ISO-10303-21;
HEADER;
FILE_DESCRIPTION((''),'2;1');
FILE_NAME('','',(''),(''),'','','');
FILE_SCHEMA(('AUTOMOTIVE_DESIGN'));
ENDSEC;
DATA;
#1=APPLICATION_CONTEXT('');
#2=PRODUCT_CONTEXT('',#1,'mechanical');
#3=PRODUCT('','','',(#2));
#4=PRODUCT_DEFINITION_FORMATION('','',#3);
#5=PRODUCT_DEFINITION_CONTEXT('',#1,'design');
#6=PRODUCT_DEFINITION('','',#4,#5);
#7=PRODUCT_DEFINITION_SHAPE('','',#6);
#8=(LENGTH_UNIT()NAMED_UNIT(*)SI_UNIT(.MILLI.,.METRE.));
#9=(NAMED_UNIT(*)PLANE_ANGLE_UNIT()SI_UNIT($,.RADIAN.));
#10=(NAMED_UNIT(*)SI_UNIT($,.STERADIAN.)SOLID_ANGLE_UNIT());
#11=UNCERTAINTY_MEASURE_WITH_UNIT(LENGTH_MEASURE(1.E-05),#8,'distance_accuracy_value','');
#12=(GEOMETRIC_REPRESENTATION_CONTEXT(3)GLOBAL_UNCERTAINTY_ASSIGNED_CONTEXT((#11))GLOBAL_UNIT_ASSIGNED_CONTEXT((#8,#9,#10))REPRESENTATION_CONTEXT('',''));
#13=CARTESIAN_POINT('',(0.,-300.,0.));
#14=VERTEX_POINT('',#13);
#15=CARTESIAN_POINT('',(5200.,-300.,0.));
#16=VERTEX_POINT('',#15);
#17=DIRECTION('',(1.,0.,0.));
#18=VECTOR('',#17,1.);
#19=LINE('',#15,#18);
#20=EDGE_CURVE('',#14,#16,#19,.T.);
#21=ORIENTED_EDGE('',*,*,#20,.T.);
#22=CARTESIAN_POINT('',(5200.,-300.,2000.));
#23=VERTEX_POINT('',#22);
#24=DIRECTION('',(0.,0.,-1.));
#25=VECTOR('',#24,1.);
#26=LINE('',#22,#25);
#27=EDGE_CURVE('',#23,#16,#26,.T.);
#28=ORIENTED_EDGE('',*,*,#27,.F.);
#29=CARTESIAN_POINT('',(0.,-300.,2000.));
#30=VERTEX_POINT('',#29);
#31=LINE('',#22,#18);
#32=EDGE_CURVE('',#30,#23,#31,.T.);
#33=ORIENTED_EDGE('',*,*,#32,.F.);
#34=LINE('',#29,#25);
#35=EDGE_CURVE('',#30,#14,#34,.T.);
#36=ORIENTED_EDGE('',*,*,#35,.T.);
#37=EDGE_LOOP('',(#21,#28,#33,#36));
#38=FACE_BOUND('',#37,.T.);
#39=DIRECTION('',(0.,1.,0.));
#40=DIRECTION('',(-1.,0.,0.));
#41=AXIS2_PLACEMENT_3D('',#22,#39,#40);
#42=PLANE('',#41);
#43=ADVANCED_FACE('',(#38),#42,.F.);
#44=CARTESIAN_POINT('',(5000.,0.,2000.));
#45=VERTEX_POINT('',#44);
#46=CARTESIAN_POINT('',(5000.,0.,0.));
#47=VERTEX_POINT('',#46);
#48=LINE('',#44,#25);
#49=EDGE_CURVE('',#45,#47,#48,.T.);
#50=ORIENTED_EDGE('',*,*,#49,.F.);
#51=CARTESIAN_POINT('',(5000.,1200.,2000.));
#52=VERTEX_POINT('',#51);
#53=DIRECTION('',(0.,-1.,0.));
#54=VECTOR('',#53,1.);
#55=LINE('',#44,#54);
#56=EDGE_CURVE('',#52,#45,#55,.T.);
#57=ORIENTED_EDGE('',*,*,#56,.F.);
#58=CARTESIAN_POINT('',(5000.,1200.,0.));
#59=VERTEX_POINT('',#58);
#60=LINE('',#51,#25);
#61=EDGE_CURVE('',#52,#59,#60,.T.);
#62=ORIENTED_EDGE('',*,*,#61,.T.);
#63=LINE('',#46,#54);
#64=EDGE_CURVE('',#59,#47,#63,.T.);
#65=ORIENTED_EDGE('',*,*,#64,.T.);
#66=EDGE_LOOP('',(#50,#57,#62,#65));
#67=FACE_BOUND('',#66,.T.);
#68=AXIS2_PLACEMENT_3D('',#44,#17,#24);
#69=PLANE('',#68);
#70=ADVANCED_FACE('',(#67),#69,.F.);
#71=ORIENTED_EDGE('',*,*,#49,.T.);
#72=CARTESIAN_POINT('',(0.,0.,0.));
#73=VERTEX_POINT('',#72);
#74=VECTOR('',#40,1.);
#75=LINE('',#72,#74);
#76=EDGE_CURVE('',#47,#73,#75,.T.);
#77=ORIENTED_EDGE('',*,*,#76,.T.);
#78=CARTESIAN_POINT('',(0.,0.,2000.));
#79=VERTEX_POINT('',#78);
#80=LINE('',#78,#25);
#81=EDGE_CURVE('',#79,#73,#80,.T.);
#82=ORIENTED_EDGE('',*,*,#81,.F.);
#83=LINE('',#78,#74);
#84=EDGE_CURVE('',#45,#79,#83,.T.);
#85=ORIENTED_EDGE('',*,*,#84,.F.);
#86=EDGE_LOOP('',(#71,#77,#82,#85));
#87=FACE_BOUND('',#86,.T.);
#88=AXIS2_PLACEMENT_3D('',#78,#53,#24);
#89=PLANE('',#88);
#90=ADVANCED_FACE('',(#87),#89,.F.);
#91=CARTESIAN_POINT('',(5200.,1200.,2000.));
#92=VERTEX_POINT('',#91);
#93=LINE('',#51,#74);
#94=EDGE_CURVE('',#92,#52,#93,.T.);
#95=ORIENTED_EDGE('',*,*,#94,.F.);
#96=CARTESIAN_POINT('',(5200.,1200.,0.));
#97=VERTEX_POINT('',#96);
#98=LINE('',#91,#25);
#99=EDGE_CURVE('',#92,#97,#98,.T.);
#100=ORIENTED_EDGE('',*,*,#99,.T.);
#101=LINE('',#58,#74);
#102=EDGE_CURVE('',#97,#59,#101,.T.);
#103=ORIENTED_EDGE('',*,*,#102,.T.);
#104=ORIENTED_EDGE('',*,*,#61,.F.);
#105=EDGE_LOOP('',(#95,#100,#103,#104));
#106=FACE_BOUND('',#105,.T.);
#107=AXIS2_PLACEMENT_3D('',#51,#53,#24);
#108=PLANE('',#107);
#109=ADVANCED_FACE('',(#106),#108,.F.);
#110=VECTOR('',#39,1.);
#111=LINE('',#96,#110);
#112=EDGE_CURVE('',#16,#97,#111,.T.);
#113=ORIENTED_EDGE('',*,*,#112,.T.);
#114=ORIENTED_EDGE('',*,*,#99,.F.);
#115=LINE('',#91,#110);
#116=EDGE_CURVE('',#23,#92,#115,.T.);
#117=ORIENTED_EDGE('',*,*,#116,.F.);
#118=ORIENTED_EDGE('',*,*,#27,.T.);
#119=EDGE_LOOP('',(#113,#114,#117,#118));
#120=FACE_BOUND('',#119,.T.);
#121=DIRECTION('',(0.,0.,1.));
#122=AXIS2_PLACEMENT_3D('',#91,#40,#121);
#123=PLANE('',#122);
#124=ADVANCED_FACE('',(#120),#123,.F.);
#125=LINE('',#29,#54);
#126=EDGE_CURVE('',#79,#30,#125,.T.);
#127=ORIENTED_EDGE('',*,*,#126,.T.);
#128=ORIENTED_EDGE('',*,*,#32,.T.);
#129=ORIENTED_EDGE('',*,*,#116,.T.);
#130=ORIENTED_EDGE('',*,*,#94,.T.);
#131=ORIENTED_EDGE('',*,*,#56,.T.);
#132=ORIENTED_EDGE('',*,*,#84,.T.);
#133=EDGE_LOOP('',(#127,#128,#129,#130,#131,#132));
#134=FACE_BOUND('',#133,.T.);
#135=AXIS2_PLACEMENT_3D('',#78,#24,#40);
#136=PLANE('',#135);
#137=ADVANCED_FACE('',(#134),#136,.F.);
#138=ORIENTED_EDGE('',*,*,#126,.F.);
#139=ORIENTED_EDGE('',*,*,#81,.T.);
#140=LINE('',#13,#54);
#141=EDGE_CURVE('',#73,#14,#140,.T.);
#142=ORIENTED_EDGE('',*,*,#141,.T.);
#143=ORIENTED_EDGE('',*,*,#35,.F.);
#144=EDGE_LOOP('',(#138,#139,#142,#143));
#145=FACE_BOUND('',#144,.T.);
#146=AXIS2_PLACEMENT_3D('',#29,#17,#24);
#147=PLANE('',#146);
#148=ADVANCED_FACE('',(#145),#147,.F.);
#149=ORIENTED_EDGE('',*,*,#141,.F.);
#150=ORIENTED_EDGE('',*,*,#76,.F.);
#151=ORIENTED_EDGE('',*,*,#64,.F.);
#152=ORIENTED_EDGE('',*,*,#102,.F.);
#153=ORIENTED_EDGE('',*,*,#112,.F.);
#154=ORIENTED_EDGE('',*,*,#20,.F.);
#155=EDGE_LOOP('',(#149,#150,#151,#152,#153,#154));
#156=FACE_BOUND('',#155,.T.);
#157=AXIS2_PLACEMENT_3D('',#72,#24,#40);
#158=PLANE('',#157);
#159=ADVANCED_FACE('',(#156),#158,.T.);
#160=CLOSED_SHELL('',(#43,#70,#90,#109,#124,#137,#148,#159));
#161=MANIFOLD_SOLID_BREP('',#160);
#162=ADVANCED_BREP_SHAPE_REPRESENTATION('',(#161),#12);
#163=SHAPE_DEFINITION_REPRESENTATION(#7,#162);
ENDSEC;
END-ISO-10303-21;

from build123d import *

# Parameters (mm, degrees)
BOSS_EXTRUDE1_DEPTH = 2000


with BuildPart() as part:
    # Sketch1 → Boss-Extrude1 (new body)
    with BuildSketch(Plane.XY):
        Polygon((0, 0), (5000, 0), (5000, 1200), (5200, 1200), (5200, -300), (0, -300), align=None)
    extrude(amount=BOSS_EXTRUDE1_DEPTH)


solid = part.part
